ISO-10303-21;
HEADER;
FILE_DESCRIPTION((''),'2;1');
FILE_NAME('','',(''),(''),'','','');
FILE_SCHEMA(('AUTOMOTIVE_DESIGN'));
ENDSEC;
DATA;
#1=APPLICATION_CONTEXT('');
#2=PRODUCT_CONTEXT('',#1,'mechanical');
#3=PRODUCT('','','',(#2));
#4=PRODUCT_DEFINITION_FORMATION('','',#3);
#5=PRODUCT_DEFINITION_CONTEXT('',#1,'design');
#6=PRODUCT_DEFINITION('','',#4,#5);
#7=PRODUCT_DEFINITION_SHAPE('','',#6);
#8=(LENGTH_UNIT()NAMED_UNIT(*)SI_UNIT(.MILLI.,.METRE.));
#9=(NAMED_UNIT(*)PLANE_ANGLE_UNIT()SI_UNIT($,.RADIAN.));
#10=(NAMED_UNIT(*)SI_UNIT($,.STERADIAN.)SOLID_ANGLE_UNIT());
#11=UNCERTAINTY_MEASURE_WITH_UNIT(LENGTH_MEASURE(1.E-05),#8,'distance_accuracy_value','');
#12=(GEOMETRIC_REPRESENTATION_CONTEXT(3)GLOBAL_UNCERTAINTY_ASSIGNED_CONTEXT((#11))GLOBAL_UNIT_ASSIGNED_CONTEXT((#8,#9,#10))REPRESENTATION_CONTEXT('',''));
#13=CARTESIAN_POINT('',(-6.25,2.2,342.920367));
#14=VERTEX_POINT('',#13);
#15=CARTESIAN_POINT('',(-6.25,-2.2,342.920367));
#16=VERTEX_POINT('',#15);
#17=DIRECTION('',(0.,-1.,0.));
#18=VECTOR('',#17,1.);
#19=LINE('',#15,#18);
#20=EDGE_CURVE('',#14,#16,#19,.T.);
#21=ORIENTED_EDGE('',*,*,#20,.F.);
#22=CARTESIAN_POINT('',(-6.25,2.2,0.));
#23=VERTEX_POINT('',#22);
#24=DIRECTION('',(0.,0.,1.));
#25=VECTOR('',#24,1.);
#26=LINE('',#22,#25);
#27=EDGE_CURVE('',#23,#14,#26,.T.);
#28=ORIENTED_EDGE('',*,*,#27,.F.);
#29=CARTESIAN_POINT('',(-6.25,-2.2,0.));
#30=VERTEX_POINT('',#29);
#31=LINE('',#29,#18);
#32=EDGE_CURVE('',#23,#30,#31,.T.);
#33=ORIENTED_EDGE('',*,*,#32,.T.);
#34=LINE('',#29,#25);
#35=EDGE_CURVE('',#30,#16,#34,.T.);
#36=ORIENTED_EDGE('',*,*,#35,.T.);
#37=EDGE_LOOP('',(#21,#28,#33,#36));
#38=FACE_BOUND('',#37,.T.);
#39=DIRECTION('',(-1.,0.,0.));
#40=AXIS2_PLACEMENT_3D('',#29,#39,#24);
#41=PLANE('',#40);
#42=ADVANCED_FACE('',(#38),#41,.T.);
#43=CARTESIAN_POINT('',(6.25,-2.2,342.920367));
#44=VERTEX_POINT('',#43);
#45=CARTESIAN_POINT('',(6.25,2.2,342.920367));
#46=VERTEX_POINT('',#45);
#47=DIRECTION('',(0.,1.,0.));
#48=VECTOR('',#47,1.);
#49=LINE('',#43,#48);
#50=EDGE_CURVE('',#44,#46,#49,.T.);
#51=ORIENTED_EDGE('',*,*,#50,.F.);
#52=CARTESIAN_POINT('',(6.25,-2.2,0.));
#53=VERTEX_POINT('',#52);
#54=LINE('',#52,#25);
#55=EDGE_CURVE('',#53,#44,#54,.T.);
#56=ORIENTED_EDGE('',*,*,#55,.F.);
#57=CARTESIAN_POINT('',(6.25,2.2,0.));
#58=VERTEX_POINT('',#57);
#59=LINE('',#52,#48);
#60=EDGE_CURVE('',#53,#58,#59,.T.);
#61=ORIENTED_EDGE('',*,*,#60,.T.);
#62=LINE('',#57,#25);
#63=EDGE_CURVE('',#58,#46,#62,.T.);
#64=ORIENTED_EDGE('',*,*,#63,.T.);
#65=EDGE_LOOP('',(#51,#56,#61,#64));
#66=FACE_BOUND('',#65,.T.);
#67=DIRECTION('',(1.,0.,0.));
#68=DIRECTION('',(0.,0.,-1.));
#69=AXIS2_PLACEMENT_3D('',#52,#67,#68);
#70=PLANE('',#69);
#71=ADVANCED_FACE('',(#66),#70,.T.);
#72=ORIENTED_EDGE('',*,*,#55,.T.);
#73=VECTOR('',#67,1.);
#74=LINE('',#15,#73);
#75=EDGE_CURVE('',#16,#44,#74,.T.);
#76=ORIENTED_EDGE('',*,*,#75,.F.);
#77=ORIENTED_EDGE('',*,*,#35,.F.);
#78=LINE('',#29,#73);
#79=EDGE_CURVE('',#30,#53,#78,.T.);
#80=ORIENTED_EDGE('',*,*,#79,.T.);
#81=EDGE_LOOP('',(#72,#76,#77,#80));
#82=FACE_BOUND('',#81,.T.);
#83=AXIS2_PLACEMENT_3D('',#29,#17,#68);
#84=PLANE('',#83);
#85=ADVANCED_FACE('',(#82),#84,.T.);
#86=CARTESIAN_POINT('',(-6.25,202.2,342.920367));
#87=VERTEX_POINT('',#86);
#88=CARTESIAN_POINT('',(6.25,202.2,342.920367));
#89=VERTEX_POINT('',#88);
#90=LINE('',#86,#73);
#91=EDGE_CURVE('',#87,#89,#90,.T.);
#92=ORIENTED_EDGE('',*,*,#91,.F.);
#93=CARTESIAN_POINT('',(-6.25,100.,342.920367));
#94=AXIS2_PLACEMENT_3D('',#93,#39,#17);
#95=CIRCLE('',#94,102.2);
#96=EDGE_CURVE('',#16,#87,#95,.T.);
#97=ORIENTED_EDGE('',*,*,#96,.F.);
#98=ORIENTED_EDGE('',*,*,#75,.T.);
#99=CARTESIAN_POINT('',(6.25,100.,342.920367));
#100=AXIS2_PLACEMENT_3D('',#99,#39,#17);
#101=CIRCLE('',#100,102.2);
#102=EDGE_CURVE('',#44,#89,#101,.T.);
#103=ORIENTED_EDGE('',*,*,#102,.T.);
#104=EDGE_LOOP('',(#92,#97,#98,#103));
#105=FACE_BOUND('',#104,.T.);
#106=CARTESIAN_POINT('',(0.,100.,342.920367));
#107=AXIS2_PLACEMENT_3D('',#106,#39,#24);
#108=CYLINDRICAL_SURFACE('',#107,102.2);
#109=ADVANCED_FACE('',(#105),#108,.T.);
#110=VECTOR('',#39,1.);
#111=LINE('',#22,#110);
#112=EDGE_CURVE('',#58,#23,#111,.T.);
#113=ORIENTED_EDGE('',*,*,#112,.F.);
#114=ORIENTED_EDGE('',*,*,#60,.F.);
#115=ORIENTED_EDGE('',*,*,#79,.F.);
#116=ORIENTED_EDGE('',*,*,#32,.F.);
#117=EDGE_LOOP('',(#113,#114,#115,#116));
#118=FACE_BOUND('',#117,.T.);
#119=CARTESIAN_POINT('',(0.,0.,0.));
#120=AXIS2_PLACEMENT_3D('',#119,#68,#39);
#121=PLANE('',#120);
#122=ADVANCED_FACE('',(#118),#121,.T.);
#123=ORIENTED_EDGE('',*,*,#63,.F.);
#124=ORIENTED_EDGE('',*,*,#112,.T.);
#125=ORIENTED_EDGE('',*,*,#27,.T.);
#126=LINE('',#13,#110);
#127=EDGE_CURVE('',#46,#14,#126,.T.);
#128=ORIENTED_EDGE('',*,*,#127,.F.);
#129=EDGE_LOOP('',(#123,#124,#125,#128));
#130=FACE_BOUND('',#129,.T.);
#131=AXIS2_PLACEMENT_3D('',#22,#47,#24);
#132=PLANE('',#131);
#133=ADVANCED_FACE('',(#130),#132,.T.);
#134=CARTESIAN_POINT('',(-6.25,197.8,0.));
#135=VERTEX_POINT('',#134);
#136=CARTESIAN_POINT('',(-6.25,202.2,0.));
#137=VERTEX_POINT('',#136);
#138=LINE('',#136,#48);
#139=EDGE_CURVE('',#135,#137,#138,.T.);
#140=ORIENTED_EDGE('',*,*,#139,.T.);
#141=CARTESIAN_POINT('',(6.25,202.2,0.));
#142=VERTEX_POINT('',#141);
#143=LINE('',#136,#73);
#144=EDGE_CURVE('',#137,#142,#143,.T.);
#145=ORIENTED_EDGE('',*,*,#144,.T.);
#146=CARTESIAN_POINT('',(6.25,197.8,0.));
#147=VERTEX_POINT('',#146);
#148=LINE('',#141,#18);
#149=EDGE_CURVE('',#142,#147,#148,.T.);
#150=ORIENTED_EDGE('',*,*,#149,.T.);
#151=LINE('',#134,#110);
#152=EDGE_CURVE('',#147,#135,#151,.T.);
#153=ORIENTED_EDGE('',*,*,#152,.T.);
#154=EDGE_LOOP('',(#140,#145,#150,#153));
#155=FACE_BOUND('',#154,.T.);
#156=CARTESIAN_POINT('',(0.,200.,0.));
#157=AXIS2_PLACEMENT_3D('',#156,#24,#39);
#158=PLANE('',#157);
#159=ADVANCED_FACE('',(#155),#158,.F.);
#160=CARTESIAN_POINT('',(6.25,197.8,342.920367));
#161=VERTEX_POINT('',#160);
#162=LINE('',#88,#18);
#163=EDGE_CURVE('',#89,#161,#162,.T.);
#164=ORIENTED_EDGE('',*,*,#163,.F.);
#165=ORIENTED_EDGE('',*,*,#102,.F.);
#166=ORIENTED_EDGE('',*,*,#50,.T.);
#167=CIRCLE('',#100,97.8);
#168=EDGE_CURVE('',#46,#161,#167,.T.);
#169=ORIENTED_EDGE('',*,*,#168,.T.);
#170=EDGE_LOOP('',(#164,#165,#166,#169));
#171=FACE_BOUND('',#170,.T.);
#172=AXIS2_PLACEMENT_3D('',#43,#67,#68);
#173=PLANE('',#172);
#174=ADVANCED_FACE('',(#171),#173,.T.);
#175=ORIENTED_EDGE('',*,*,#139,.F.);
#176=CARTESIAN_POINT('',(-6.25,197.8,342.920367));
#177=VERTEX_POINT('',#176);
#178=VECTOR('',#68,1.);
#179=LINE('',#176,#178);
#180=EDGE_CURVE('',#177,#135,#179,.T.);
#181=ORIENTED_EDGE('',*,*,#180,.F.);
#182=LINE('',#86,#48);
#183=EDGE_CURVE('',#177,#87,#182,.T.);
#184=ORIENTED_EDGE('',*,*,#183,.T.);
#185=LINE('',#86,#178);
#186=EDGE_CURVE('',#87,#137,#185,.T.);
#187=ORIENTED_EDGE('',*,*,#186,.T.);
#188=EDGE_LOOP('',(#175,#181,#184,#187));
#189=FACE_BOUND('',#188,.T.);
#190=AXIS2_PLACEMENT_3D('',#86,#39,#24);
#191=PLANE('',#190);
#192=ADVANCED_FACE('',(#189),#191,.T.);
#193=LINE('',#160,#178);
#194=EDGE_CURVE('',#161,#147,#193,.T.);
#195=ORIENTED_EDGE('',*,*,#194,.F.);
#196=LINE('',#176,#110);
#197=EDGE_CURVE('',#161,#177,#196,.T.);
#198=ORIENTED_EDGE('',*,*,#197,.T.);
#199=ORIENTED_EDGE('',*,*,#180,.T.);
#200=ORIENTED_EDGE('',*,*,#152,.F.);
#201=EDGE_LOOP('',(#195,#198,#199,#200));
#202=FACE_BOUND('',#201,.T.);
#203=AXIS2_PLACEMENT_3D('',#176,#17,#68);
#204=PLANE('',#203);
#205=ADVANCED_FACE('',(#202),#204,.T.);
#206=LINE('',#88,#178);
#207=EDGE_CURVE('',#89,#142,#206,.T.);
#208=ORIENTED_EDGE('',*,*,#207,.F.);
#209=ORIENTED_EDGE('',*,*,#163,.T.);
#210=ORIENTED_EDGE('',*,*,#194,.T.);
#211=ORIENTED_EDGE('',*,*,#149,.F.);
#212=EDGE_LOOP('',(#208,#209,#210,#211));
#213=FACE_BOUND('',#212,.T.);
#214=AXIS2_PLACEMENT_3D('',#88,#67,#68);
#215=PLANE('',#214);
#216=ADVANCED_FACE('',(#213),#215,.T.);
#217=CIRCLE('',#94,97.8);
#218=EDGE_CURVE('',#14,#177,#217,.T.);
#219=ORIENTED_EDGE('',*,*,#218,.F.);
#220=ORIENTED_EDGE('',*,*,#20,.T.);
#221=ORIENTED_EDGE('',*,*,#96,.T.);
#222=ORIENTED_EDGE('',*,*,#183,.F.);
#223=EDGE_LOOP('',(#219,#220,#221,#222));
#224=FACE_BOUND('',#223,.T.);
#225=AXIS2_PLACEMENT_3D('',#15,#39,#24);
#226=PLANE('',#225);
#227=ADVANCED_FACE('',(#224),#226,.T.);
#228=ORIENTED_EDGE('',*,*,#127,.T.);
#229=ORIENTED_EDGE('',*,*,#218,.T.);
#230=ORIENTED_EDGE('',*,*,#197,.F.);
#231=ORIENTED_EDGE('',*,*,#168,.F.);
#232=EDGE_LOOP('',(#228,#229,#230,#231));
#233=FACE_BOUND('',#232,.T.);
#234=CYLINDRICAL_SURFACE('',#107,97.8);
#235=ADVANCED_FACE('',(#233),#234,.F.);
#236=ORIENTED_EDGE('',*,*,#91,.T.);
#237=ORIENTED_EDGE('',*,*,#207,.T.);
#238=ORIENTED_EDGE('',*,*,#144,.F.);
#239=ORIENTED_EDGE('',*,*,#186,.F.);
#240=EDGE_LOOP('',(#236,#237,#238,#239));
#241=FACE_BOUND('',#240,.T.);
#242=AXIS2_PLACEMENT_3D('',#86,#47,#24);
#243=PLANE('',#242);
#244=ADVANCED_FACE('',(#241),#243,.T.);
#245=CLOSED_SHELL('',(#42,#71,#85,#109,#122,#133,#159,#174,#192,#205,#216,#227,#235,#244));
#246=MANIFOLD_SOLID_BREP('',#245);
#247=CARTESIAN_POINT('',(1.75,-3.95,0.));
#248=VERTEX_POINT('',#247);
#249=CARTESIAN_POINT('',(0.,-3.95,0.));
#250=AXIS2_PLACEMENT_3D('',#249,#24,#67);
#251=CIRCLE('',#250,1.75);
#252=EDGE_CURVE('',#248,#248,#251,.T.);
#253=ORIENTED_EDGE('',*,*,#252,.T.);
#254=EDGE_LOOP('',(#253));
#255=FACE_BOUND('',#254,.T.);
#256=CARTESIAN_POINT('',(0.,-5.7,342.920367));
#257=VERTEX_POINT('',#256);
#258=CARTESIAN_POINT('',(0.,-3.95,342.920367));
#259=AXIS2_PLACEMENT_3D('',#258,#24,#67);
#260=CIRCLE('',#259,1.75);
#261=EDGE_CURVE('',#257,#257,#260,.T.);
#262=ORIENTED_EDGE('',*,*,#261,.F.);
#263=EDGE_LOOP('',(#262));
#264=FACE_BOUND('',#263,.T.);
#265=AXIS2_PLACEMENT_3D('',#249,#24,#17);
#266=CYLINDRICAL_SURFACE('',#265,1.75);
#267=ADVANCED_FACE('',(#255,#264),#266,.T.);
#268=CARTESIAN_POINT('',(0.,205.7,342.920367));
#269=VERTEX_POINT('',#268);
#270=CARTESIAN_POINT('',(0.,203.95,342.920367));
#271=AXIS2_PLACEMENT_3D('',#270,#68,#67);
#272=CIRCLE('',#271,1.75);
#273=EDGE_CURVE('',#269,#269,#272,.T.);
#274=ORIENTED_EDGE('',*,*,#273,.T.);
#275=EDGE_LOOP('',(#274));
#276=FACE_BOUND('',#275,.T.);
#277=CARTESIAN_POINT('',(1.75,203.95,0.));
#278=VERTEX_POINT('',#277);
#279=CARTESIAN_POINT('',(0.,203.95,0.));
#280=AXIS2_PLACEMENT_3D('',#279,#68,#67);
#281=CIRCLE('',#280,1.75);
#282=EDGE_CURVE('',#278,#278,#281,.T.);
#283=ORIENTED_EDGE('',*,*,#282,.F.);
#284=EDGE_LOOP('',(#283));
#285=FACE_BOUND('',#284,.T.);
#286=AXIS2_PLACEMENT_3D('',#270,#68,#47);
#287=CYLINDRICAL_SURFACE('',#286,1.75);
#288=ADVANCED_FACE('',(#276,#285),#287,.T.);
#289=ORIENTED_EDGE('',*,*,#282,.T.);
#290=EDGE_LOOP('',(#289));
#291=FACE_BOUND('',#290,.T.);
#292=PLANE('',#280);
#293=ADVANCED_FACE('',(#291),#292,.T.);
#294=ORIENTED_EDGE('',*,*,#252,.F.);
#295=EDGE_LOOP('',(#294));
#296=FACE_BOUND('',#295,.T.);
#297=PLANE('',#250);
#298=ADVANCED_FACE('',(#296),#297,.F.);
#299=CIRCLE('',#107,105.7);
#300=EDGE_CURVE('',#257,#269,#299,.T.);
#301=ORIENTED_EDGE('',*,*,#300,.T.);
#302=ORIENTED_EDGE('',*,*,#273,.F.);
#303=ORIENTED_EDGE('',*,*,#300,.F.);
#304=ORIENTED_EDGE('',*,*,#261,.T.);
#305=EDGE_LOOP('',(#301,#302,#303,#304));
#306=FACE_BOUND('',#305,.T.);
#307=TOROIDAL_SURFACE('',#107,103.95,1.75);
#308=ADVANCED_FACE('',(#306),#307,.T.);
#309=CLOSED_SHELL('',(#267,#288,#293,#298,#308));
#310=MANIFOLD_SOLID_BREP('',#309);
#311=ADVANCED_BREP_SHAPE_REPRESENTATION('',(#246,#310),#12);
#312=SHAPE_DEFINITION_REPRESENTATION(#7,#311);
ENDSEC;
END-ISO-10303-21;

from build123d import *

# Parameters (mm, degrees)
SKETCH1_W = 12.5
SKETCH1_H = 4.4
SKETCH2_R = 1.75


with BuildPart() as part:
    # Sweep1: sweep along a path in Sketch3
    with BuildLine(Plane(origin=(0, 0, 0), x_dir=(0, 0, -1), z_dir=(1, 0, 0))) as sweep1_path:
        Line((0, 0), (-342.920367321, 0))
        ThreePointArc((-342.920367321, 0), (-442.920367321, 100), (-342.920367321, 200))
        Line((-342.920367321, 200), (0, 200))
    # Sketch1 → Sweep1 (sweep)
    with BuildSketch(Plane.XY):
        Rectangle(SKETCH1_W, SKETCH1_H)
    sweep(path=sweep1_path.line)


with BuildPart() as body_2:
    # Sweep2: sweep along a path in Sketch3<2>
    with BuildLine(Plane(origin=(0, 0, 0), x_dir=(0, 0, -1), z_dir=(1, 0, 0))) as sweep2_path:
        Line((0, 0), (-342.920367321, 0))
        ThreePointArc((-342.920367321, 0), (-442.920367321, 100), (-342.920367321, 200))
        Line((-342.920367321, 200), (0, 200))
    # Sketch2 → Sweep2 (sweep)
    with BuildSketch(Plane.XY):
        with Locations((0, -3.95)):
            Circle(SKETCH2_R)
    sweep(path=sweep2_path.line)


solid = Compound([part.part, body_2.part])
